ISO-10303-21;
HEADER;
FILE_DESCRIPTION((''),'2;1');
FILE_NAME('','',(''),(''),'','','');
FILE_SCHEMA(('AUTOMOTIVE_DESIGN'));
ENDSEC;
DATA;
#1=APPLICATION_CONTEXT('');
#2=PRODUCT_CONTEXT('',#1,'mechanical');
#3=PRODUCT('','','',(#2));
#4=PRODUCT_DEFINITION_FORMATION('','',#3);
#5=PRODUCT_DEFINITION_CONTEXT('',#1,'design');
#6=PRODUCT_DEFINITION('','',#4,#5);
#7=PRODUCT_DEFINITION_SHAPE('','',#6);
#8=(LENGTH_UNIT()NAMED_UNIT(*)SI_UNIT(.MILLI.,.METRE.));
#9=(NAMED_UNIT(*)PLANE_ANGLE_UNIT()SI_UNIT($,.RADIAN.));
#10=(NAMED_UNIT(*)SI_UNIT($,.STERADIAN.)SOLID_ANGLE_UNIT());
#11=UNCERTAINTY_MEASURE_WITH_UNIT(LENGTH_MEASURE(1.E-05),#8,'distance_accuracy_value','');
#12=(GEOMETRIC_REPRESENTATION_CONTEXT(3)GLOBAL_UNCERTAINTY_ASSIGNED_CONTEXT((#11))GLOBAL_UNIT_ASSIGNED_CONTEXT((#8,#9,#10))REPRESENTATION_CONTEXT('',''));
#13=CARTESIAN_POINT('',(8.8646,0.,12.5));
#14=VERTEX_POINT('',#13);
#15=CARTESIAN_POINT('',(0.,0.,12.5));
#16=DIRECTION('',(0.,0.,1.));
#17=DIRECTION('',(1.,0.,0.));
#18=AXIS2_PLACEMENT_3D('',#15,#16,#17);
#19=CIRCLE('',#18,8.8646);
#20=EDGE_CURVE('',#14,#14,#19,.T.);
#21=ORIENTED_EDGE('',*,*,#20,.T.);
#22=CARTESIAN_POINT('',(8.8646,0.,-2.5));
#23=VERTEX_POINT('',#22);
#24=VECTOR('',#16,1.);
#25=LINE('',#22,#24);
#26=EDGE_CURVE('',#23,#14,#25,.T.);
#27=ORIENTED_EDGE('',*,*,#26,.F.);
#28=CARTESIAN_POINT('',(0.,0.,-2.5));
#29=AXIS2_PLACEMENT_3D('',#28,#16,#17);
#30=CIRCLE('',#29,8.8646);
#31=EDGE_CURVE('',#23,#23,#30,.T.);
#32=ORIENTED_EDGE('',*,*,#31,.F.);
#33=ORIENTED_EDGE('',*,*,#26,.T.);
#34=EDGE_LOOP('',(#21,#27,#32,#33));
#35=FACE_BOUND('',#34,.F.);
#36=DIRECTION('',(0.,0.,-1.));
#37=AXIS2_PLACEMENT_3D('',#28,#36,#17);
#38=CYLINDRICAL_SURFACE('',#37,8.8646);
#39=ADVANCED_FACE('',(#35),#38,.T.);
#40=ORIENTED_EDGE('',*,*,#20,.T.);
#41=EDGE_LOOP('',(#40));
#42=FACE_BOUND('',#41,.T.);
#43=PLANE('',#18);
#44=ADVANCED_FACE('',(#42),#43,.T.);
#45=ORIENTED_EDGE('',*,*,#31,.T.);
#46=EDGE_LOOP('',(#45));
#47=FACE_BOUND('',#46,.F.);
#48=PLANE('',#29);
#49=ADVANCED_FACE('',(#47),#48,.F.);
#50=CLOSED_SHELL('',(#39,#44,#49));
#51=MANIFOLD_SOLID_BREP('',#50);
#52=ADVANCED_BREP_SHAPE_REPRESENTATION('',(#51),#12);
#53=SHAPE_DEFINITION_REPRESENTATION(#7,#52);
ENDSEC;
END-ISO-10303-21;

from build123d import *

# Parameters (mm, degrees)
CYLINDER_R     = 8.8646
CYLINDER_DEPTH = 15


with BuildPart() as part:
    # Cylinder → Cylinder (new body)
    with BuildSketch(Plane.XY.offset(-2.5)):
        Circle(CYLINDER_R)
    extrude(amount=CYLINDER_DEPTH)


solid = part.part
